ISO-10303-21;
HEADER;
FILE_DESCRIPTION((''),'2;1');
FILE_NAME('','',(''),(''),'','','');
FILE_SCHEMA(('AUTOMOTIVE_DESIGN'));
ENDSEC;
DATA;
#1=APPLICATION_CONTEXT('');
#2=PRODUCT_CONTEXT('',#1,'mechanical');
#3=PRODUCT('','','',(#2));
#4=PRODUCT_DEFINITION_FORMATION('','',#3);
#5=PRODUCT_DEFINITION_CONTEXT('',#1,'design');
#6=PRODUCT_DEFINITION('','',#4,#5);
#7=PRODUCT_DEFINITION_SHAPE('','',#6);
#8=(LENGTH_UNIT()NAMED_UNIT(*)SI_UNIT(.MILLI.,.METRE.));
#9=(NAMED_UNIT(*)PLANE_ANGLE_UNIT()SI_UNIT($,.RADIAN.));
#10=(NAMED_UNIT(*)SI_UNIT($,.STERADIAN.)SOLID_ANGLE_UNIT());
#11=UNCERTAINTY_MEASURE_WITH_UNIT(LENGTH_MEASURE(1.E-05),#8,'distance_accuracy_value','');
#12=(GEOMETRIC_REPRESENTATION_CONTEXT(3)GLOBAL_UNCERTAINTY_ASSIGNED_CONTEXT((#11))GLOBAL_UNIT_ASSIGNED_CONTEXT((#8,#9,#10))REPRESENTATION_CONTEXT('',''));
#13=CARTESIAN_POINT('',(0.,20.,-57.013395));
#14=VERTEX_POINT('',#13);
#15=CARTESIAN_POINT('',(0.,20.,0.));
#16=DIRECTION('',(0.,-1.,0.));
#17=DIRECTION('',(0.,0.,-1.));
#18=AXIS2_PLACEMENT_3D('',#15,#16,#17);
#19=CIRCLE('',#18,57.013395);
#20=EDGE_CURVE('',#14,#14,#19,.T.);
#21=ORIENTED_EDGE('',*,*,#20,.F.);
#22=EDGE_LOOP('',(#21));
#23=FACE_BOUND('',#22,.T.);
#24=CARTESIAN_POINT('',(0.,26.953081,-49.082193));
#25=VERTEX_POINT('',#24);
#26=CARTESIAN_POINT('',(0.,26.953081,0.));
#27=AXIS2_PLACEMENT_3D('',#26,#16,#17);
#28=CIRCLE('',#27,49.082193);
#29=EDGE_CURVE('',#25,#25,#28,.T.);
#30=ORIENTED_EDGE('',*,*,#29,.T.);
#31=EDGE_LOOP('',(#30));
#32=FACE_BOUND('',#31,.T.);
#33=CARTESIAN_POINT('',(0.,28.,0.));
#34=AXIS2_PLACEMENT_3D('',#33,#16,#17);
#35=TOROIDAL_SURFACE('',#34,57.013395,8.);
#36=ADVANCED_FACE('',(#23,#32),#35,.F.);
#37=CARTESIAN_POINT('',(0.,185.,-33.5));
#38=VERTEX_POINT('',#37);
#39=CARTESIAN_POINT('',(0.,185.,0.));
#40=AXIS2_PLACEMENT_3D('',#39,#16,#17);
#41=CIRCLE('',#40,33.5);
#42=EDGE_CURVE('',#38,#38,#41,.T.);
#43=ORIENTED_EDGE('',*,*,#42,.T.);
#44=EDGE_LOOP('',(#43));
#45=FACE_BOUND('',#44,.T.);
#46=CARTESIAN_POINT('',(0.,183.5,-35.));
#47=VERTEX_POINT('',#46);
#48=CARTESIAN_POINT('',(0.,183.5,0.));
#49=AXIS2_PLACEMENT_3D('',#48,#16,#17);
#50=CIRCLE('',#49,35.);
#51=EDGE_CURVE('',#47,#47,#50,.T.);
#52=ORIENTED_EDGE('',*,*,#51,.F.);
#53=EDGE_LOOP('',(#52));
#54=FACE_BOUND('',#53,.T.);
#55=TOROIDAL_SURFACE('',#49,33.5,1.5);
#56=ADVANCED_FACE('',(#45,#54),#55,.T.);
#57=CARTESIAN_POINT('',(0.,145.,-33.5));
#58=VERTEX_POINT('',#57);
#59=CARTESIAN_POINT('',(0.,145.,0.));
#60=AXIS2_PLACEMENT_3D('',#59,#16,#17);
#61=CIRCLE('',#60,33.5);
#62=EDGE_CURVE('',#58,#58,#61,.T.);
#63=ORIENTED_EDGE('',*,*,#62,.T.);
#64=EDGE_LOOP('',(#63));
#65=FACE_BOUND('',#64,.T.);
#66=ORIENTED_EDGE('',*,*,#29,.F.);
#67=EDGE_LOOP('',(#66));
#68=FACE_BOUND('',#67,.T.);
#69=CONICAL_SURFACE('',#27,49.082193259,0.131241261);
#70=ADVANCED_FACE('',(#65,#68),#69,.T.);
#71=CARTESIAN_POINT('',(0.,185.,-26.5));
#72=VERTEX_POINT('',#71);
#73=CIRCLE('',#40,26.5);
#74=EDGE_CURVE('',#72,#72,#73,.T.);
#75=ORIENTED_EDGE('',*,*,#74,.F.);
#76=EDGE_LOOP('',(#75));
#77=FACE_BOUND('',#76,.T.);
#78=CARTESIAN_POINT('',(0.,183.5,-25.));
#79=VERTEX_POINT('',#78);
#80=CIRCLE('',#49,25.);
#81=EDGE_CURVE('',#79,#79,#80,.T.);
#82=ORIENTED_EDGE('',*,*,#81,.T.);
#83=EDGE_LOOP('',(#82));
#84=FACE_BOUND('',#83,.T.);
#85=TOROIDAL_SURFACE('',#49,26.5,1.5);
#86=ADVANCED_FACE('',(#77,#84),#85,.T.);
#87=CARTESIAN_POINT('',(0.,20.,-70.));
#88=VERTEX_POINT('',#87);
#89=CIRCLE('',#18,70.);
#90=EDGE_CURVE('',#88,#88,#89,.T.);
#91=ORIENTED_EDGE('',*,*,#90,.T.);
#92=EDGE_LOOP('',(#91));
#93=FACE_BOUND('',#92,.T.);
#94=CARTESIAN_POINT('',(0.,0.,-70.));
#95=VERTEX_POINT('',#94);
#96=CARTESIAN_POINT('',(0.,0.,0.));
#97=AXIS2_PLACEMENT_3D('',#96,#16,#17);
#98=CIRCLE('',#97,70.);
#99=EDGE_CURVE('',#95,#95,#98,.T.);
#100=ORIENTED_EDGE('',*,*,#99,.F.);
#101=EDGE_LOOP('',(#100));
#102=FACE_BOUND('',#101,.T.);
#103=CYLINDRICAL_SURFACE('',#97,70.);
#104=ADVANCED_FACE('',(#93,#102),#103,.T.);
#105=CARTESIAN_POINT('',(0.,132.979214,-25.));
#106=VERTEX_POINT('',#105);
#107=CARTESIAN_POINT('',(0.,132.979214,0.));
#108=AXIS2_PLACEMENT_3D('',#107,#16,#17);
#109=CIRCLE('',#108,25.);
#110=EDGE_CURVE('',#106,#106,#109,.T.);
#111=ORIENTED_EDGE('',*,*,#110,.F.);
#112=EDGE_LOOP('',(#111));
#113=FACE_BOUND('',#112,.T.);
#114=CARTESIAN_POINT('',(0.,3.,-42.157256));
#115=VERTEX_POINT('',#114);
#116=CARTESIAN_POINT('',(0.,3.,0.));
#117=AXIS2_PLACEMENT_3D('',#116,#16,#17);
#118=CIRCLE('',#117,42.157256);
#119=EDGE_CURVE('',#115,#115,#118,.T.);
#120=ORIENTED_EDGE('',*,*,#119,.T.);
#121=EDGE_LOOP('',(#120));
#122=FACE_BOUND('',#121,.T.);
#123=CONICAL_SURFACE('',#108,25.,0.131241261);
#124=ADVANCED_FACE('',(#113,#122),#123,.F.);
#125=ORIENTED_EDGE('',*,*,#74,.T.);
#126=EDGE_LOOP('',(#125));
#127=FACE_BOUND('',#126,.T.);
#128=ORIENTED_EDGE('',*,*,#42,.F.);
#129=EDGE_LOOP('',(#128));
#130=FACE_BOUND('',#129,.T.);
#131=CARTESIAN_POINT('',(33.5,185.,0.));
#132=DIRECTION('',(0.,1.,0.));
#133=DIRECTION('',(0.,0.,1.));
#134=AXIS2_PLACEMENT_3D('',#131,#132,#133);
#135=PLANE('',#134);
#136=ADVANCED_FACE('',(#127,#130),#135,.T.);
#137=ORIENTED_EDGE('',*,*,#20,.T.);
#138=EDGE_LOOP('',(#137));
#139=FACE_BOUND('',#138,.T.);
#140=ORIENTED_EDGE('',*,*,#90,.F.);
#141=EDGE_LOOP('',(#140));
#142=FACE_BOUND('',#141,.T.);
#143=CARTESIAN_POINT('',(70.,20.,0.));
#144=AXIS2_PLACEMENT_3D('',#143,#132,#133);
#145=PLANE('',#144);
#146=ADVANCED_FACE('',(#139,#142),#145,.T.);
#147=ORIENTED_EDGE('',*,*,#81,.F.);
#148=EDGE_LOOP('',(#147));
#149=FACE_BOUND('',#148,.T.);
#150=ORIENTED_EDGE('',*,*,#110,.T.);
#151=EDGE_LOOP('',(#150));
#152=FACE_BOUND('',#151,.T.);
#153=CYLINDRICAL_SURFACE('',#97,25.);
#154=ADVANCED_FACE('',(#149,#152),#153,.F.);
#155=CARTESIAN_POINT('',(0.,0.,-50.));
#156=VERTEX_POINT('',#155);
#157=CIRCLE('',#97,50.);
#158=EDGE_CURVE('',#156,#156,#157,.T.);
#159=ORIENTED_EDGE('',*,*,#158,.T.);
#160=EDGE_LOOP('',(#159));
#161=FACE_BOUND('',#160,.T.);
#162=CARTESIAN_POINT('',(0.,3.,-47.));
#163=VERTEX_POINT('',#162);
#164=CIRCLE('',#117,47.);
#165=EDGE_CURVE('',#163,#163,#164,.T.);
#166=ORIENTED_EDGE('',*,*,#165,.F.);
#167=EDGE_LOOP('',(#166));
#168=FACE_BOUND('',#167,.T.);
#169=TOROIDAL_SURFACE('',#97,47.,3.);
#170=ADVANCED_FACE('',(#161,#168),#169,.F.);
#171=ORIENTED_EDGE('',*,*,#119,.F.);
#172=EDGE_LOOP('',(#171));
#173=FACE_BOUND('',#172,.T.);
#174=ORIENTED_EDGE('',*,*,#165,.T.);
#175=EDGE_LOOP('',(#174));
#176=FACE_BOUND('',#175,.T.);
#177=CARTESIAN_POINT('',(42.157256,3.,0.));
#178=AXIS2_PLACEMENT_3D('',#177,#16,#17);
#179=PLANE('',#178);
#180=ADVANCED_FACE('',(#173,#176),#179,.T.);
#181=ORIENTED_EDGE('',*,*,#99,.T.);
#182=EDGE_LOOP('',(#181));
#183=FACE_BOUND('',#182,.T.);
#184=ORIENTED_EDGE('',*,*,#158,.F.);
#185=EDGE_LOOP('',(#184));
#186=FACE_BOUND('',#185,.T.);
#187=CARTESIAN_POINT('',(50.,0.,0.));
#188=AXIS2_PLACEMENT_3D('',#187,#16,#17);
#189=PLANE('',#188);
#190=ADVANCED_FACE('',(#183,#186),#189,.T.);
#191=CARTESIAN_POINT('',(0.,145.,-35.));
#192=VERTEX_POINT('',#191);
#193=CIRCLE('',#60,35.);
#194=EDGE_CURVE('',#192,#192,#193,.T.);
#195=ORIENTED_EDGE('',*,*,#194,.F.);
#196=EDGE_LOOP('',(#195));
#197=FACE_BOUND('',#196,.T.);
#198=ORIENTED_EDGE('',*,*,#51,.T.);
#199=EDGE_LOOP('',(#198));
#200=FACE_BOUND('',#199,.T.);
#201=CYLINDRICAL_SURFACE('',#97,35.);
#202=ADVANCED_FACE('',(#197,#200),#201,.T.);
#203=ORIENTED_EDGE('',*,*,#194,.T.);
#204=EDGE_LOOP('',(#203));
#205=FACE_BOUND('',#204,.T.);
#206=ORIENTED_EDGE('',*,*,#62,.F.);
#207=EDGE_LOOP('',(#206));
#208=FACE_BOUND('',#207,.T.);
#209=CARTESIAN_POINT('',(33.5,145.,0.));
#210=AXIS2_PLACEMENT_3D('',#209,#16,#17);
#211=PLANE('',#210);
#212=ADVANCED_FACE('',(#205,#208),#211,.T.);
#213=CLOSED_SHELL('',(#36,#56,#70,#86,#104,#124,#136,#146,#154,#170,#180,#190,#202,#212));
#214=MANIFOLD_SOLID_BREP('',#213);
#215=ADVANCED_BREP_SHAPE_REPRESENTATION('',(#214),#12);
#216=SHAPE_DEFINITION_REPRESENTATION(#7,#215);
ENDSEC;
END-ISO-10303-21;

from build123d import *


with BuildPart() as part:
    # Sketch2 → 01_Body (revolve)
    with BuildSketch(Plane.XY, mode=Mode.PRIVATE) as f_01_body_sk:
        with BuildLine():
            Line((70, 0), (70, 20))
            Line((70, 20), (57.013395021, 20))
            ThreePointArc((57.013395021, 20), (51.73965579, 21.984380786), (49.082193259, 26.953081368))
            Line((49.082193259, 26.953081368), (33.5, 145))
            Line((33.5, 145), (35, 145))
            Line((35, 145), (35, 183.5))
            ThreePointArc((35, 183.5), (34.560660172, 184.560660172), (33.5, 185))
            Line((33.5, 185), (26.5, 185))
            ThreePointArc((26.5, 185), (25.439339828, 184.560660172), (25, 183.5))
            Line((25, 183.5), (25, 132.979213819))
            Line((25, 132.979213819), (42.157256224, 3))
            Line((42.157256224, 3), (47, 3))
            ThreePointArc((47, 3), (49.121320344, 2.121320344), (50, 0))
            Line((50, 0), (70, 0))
        make_face()
    revolve(f_01_body_sk.sketch.rotate(Axis((0, 0, 0), (0, 1, 0)), 90), axis=Axis((0, 0, 0), (0, 1, 0)))


solid = part.part
